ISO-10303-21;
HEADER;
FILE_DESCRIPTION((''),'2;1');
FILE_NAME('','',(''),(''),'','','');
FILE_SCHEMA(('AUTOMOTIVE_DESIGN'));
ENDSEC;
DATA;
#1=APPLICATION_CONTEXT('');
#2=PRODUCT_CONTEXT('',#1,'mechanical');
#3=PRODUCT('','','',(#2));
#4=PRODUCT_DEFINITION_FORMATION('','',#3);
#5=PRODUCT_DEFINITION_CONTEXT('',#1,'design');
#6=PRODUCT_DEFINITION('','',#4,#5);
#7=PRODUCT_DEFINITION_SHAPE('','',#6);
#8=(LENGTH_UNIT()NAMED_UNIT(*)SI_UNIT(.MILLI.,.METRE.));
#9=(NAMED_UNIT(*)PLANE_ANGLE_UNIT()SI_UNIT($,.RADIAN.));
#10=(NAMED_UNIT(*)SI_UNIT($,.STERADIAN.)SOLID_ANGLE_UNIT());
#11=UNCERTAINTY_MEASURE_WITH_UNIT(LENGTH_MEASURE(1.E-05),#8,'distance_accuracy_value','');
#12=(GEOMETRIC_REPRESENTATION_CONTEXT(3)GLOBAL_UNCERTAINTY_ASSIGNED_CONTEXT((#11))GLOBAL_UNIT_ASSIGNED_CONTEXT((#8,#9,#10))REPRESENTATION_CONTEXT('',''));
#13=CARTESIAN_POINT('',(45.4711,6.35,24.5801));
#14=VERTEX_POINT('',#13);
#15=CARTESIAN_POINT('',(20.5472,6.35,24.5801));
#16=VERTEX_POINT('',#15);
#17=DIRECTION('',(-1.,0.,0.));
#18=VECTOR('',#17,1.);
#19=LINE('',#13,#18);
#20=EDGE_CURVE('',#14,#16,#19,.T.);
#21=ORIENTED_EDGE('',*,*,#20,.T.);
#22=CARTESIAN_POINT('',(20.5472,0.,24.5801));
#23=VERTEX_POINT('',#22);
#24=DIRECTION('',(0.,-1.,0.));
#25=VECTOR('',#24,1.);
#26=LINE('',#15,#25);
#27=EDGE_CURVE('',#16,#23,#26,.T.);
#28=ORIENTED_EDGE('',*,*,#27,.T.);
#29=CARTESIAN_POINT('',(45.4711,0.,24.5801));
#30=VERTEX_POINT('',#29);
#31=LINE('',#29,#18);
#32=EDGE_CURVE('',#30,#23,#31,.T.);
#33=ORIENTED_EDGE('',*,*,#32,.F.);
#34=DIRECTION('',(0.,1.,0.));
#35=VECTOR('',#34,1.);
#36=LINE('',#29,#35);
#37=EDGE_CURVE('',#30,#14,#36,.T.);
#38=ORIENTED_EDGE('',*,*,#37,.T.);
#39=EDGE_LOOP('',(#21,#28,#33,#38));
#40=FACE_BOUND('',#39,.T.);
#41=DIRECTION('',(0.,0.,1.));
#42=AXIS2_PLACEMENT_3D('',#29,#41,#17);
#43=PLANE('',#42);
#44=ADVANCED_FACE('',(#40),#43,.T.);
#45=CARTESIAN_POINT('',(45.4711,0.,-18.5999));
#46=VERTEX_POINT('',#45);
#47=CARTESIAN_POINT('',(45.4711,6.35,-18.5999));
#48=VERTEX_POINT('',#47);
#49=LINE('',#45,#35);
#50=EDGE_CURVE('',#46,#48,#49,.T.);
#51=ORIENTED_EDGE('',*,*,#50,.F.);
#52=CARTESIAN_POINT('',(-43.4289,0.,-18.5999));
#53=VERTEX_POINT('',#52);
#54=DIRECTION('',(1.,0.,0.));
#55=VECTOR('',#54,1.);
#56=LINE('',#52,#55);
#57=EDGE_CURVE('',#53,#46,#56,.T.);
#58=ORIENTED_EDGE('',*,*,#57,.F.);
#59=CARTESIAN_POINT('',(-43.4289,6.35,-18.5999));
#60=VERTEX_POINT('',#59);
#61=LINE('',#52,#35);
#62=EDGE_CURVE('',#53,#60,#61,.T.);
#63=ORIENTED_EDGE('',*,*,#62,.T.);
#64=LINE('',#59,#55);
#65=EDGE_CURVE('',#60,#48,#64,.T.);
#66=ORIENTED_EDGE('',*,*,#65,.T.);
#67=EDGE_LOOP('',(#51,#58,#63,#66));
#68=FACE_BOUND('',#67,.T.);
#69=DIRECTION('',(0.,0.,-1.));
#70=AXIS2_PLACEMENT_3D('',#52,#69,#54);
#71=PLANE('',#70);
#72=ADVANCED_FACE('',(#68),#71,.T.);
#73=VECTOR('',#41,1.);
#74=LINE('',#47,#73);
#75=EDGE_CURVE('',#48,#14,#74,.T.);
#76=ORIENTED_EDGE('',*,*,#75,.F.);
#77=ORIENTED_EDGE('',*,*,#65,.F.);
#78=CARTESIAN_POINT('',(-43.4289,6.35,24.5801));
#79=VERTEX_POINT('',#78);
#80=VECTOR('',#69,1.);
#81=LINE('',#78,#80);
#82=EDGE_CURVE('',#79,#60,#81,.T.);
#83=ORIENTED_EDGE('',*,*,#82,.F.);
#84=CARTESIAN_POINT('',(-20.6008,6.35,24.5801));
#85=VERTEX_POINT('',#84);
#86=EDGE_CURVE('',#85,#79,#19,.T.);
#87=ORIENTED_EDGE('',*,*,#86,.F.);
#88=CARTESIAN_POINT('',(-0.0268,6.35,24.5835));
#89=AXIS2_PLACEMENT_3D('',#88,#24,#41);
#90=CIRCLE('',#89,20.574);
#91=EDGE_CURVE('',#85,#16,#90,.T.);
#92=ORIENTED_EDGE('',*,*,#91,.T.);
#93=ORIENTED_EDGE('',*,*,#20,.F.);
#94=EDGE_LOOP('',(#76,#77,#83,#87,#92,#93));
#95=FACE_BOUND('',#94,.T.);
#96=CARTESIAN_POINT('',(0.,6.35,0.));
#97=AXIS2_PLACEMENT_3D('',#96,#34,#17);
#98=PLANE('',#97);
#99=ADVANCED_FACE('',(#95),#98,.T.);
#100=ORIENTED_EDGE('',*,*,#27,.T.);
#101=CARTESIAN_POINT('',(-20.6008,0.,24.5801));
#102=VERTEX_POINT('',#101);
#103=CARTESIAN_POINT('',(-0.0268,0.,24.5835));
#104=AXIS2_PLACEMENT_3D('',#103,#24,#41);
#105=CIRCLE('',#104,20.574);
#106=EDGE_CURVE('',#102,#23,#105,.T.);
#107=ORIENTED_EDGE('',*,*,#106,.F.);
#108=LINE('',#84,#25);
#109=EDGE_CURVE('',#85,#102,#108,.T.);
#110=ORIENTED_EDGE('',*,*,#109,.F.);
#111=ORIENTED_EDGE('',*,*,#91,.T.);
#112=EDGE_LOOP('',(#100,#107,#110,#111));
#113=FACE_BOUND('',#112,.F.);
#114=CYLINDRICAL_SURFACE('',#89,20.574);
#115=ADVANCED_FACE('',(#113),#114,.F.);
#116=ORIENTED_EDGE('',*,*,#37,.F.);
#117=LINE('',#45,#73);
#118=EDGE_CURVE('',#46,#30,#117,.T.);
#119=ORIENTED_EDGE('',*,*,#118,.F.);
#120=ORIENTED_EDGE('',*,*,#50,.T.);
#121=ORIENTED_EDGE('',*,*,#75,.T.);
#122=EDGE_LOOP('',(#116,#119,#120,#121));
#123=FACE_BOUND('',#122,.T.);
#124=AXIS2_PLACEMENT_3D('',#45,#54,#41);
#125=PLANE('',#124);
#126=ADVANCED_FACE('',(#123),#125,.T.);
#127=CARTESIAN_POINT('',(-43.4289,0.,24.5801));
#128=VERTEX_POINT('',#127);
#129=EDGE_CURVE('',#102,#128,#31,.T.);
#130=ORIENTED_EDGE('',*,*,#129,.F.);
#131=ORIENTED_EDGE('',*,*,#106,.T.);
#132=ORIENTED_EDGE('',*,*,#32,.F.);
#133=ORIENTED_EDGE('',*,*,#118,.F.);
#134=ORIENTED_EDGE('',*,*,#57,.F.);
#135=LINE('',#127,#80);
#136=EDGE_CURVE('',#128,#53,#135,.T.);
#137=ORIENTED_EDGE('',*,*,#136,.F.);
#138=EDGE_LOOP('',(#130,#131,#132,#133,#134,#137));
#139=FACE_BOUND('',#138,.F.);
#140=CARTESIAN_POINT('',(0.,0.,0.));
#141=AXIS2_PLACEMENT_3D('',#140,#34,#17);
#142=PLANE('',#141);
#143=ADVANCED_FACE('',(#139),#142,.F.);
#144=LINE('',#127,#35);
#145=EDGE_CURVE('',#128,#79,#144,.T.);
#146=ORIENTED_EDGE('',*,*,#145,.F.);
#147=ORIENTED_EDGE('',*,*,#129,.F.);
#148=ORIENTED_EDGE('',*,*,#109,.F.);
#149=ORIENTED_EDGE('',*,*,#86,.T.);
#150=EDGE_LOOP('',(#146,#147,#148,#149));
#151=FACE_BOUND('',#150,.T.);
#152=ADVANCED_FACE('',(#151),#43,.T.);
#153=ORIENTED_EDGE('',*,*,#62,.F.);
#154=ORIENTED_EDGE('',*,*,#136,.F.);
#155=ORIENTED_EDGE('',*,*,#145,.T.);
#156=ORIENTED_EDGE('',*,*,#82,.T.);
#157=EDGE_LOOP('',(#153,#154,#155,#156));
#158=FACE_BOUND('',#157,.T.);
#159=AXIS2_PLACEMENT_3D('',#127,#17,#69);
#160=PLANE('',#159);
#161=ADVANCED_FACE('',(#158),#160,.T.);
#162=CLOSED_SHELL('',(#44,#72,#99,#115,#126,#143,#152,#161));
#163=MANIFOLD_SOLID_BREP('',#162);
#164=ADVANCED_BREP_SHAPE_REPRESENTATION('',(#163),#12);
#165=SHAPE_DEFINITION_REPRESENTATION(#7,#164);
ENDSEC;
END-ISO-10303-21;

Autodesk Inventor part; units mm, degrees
ref_plane "YZ Plane" through (0, 0, 0) normal (1, 0, 0) x (0, 1, 0)
ref_plane "XZ Plane" through (0, 0, 0) normal (0, 1, 0) x (-1, 0, 0)
ref_plane "XY Plane" through (0, 0, 0) normal (0, 0, 1) x (1, 0, 0)
sketch "Sketch1" plane through (0, 0, 0) normal (0, 1, 0) x (-1, 0, 0)
  line L0 (43.4289, -18.5999) -> (-45.4711, -18.5999)
  line L1 (-45.4711, -18.5999) -> (-45.4711, 24.5801)
  line L2 (-45.4711, 24.5801) -> (43.4289, 24.5801)
  line L3 (43.4289, 24.5801) -> (43.4289, -18.5999)
  point P0 (0, 0)
  dimension "d2" = 88.9
  dimension "d3" = 43.18
extrude "Extrusion1" add sketch "Sketch1" along normal blind 6.35
sketch "Sketch2" plane through (0, 6.35, 0) normal (0, 1, 0) x (1, 0, 0)
  point P0 (0, 0)
  point P1 (-0.0268, -24.5835)
hole "Hole1" at (-0.0268, 6.35, 24.5835) direction (0, -1, 0) diameter 41.148 end through all
properties part number "InventorPart1Commit2"
